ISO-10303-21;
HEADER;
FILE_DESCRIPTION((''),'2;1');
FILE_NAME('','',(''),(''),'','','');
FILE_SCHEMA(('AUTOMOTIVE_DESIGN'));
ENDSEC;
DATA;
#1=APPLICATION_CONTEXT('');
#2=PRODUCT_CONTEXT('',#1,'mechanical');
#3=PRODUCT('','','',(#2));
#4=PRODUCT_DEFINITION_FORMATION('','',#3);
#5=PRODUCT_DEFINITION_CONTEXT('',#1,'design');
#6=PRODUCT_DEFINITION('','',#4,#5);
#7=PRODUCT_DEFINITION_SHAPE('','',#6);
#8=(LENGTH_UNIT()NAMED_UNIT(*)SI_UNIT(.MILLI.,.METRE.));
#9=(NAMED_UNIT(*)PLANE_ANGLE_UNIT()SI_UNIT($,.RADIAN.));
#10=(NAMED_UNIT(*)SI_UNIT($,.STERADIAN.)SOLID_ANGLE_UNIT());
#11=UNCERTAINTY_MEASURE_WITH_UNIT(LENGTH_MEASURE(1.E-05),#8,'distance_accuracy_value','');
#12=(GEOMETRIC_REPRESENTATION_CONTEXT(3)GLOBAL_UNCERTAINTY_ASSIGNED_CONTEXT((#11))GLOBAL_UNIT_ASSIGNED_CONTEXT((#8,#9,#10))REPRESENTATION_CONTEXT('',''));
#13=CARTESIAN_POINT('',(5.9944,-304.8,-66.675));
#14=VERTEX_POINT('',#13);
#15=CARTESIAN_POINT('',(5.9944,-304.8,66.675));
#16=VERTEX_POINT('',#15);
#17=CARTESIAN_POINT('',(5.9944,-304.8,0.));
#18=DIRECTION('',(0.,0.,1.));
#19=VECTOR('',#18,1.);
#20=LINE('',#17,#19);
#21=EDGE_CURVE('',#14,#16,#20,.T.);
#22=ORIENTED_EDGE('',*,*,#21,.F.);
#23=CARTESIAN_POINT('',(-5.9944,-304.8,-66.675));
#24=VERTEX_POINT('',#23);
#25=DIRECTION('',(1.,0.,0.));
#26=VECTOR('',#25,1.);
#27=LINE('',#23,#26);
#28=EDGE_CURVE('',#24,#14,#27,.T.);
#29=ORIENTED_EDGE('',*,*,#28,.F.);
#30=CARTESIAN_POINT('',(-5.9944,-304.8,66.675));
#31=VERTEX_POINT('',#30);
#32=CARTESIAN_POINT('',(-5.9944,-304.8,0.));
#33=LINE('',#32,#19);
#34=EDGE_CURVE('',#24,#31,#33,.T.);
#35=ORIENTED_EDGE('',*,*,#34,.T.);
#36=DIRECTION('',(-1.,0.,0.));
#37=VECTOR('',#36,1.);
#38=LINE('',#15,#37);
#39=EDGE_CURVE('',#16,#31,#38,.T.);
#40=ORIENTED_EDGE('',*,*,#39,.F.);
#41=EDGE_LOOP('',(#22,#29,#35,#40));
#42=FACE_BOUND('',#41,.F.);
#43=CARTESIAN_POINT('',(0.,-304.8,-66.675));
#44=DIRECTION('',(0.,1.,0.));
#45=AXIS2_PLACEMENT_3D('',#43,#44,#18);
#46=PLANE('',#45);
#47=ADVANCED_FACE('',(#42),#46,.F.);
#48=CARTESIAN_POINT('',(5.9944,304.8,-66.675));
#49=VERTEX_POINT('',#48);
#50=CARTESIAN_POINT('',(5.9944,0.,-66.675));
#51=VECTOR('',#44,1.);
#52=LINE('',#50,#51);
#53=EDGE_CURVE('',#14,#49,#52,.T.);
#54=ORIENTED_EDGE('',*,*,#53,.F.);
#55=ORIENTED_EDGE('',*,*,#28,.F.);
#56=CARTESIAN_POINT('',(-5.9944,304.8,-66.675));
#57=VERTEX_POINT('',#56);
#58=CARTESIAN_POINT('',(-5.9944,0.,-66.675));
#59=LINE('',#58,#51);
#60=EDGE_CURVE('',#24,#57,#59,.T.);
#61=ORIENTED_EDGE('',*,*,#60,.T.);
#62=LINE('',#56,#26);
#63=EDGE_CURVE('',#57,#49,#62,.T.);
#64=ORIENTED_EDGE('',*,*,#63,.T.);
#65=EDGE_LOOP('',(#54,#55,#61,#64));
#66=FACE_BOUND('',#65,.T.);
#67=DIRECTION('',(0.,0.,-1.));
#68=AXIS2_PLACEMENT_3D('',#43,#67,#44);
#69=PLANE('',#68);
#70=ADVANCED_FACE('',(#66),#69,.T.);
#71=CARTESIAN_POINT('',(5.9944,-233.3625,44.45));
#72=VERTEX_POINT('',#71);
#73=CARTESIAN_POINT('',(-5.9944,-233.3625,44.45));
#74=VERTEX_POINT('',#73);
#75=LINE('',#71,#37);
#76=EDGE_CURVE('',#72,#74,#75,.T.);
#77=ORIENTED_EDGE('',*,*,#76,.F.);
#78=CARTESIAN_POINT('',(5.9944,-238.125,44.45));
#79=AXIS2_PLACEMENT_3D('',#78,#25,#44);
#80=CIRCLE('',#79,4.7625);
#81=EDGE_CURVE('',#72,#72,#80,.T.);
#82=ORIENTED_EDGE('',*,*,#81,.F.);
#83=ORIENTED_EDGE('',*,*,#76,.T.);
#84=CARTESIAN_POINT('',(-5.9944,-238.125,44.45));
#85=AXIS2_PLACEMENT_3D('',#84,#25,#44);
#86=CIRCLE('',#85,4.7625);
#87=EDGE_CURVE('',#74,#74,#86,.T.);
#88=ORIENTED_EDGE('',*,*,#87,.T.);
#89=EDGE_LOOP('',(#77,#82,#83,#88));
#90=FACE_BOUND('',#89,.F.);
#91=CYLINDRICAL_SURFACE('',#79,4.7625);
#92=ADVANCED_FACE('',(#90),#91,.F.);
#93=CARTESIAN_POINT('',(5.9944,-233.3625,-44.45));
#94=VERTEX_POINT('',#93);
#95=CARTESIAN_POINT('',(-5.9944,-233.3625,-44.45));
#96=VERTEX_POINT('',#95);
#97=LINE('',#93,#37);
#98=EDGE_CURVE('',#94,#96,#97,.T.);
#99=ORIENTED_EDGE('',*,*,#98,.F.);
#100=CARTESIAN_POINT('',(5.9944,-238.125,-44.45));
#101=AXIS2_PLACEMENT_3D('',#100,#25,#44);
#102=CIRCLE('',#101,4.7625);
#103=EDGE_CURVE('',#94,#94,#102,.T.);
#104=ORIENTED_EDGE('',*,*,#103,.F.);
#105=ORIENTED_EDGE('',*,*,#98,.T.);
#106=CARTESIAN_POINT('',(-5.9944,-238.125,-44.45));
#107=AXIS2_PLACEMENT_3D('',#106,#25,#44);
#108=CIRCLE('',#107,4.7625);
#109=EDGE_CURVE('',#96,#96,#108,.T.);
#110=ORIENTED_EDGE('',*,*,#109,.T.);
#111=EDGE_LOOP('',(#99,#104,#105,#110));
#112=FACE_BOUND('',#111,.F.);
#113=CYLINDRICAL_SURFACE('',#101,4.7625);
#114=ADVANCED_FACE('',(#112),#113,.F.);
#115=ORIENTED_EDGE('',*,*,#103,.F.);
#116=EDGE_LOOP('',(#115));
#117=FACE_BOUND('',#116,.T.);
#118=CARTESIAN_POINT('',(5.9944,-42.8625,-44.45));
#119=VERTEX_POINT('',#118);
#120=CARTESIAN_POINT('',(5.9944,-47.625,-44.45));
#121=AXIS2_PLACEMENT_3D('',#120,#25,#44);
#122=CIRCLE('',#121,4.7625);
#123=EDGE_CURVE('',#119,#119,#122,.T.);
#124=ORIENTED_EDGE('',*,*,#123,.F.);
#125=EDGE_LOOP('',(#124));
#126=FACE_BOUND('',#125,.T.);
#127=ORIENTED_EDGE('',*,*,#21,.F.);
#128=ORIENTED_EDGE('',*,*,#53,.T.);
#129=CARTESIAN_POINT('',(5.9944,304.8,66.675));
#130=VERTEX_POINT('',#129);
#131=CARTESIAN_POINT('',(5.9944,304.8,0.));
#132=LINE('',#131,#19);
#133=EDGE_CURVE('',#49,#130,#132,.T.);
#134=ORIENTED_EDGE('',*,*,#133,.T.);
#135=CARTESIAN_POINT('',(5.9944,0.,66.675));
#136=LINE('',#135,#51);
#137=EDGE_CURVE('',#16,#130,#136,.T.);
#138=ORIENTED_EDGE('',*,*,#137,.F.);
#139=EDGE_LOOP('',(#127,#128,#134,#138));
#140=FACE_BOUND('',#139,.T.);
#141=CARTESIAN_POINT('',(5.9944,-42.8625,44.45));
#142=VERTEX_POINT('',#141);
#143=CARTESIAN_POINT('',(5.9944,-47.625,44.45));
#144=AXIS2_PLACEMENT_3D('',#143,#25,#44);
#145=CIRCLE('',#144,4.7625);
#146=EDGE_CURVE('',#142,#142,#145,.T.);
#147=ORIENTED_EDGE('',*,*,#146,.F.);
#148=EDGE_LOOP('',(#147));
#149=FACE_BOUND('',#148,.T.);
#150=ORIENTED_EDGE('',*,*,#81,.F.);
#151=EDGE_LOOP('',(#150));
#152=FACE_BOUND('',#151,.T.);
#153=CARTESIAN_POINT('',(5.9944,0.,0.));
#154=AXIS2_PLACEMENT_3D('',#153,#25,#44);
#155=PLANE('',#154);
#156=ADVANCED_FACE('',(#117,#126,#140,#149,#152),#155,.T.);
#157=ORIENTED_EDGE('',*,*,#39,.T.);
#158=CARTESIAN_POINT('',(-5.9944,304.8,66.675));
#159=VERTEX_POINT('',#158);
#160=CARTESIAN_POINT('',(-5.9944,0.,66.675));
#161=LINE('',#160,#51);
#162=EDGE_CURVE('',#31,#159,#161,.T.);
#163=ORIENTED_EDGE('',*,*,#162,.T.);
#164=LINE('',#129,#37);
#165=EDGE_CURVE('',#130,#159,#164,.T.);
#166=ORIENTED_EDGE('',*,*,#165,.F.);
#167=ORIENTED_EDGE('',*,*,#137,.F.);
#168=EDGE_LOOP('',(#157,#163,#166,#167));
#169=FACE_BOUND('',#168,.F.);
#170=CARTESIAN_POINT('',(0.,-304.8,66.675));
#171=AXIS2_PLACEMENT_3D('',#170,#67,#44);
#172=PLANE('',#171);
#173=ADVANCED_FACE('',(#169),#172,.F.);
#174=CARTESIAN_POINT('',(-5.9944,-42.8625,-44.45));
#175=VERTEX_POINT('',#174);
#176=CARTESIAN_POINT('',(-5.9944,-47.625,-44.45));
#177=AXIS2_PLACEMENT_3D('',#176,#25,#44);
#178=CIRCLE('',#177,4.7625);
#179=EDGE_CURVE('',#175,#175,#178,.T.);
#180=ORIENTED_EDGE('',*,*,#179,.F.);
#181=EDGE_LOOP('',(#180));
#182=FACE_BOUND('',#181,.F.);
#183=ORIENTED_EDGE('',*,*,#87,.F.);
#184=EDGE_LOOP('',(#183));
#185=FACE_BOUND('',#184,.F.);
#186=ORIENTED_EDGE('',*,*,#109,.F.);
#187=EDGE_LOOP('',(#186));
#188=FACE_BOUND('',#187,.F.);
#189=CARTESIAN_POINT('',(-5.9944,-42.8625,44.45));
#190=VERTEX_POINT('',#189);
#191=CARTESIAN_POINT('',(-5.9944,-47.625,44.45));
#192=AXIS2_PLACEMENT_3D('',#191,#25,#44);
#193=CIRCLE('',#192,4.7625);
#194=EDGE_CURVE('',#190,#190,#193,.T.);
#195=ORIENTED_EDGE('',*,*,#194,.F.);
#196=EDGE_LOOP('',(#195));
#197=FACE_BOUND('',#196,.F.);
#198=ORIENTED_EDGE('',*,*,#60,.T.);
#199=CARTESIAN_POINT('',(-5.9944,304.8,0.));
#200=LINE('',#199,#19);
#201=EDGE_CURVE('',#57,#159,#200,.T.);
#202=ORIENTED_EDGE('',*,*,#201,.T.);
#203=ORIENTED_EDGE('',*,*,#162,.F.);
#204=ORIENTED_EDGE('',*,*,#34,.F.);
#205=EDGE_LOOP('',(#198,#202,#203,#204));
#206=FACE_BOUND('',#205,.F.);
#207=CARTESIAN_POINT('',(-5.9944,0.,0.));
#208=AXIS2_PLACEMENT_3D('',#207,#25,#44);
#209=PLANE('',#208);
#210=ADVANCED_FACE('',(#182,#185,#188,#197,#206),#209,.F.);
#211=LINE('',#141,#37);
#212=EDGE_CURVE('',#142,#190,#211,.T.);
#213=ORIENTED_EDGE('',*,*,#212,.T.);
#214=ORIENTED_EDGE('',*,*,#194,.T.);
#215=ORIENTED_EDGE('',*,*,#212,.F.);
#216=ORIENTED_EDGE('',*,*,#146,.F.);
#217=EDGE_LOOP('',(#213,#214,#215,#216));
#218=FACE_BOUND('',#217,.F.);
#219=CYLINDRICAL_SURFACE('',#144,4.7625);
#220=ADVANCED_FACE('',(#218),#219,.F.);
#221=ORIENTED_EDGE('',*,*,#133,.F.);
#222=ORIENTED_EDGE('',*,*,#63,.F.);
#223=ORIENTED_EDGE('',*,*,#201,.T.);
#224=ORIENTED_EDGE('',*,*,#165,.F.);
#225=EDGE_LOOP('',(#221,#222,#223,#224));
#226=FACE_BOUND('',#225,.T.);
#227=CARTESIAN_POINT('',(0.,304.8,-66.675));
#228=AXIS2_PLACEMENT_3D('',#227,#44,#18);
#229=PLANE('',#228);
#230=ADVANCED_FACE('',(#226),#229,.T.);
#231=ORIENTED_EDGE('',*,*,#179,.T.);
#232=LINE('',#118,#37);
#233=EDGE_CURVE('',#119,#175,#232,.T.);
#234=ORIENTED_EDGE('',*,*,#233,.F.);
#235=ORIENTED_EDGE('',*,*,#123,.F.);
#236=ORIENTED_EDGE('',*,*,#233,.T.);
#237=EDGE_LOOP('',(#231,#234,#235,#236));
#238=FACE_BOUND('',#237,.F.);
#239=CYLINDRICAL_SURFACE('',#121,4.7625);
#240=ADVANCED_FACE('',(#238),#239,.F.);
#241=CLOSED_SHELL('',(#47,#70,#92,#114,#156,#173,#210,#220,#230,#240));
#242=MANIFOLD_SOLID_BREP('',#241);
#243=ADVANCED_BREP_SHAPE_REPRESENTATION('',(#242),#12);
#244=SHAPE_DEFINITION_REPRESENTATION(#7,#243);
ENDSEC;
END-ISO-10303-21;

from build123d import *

# Parameters (mm, degrees)
F0_W     = 609.6
F0_H     = 133.35
F1_DEPTH = 5.9944
F2_R     = 4.7625
F3_DEPTH = 11.9888


with BuildPart() as f1:
    # F0 (on Right) → F1 (new body, symmetric)
    with BuildSketch(Plane.YZ):
        Rectangle(F0_W, F0_H)
    extrude(amount=F1_DEPTH, both=True)

    # F2 (on face) → F3 (cut, through all)
    with BuildSketch(Plane.YZ.offset(5.9944)):
        with Locations((-238.125, -44.45)):
            Circle(F2_R)
        with Locations((-47.625, -44.45)):
            Circle(F2_R)
        with Locations((-47.625, 44.45)):
            Circle(F2_R)
        with Locations((-238.125, 44.45)):
            Circle(F2_R)
    extrude(amount=-F3_DEPTH, mode=Mode.SUBTRACT)


solid = f1.part
